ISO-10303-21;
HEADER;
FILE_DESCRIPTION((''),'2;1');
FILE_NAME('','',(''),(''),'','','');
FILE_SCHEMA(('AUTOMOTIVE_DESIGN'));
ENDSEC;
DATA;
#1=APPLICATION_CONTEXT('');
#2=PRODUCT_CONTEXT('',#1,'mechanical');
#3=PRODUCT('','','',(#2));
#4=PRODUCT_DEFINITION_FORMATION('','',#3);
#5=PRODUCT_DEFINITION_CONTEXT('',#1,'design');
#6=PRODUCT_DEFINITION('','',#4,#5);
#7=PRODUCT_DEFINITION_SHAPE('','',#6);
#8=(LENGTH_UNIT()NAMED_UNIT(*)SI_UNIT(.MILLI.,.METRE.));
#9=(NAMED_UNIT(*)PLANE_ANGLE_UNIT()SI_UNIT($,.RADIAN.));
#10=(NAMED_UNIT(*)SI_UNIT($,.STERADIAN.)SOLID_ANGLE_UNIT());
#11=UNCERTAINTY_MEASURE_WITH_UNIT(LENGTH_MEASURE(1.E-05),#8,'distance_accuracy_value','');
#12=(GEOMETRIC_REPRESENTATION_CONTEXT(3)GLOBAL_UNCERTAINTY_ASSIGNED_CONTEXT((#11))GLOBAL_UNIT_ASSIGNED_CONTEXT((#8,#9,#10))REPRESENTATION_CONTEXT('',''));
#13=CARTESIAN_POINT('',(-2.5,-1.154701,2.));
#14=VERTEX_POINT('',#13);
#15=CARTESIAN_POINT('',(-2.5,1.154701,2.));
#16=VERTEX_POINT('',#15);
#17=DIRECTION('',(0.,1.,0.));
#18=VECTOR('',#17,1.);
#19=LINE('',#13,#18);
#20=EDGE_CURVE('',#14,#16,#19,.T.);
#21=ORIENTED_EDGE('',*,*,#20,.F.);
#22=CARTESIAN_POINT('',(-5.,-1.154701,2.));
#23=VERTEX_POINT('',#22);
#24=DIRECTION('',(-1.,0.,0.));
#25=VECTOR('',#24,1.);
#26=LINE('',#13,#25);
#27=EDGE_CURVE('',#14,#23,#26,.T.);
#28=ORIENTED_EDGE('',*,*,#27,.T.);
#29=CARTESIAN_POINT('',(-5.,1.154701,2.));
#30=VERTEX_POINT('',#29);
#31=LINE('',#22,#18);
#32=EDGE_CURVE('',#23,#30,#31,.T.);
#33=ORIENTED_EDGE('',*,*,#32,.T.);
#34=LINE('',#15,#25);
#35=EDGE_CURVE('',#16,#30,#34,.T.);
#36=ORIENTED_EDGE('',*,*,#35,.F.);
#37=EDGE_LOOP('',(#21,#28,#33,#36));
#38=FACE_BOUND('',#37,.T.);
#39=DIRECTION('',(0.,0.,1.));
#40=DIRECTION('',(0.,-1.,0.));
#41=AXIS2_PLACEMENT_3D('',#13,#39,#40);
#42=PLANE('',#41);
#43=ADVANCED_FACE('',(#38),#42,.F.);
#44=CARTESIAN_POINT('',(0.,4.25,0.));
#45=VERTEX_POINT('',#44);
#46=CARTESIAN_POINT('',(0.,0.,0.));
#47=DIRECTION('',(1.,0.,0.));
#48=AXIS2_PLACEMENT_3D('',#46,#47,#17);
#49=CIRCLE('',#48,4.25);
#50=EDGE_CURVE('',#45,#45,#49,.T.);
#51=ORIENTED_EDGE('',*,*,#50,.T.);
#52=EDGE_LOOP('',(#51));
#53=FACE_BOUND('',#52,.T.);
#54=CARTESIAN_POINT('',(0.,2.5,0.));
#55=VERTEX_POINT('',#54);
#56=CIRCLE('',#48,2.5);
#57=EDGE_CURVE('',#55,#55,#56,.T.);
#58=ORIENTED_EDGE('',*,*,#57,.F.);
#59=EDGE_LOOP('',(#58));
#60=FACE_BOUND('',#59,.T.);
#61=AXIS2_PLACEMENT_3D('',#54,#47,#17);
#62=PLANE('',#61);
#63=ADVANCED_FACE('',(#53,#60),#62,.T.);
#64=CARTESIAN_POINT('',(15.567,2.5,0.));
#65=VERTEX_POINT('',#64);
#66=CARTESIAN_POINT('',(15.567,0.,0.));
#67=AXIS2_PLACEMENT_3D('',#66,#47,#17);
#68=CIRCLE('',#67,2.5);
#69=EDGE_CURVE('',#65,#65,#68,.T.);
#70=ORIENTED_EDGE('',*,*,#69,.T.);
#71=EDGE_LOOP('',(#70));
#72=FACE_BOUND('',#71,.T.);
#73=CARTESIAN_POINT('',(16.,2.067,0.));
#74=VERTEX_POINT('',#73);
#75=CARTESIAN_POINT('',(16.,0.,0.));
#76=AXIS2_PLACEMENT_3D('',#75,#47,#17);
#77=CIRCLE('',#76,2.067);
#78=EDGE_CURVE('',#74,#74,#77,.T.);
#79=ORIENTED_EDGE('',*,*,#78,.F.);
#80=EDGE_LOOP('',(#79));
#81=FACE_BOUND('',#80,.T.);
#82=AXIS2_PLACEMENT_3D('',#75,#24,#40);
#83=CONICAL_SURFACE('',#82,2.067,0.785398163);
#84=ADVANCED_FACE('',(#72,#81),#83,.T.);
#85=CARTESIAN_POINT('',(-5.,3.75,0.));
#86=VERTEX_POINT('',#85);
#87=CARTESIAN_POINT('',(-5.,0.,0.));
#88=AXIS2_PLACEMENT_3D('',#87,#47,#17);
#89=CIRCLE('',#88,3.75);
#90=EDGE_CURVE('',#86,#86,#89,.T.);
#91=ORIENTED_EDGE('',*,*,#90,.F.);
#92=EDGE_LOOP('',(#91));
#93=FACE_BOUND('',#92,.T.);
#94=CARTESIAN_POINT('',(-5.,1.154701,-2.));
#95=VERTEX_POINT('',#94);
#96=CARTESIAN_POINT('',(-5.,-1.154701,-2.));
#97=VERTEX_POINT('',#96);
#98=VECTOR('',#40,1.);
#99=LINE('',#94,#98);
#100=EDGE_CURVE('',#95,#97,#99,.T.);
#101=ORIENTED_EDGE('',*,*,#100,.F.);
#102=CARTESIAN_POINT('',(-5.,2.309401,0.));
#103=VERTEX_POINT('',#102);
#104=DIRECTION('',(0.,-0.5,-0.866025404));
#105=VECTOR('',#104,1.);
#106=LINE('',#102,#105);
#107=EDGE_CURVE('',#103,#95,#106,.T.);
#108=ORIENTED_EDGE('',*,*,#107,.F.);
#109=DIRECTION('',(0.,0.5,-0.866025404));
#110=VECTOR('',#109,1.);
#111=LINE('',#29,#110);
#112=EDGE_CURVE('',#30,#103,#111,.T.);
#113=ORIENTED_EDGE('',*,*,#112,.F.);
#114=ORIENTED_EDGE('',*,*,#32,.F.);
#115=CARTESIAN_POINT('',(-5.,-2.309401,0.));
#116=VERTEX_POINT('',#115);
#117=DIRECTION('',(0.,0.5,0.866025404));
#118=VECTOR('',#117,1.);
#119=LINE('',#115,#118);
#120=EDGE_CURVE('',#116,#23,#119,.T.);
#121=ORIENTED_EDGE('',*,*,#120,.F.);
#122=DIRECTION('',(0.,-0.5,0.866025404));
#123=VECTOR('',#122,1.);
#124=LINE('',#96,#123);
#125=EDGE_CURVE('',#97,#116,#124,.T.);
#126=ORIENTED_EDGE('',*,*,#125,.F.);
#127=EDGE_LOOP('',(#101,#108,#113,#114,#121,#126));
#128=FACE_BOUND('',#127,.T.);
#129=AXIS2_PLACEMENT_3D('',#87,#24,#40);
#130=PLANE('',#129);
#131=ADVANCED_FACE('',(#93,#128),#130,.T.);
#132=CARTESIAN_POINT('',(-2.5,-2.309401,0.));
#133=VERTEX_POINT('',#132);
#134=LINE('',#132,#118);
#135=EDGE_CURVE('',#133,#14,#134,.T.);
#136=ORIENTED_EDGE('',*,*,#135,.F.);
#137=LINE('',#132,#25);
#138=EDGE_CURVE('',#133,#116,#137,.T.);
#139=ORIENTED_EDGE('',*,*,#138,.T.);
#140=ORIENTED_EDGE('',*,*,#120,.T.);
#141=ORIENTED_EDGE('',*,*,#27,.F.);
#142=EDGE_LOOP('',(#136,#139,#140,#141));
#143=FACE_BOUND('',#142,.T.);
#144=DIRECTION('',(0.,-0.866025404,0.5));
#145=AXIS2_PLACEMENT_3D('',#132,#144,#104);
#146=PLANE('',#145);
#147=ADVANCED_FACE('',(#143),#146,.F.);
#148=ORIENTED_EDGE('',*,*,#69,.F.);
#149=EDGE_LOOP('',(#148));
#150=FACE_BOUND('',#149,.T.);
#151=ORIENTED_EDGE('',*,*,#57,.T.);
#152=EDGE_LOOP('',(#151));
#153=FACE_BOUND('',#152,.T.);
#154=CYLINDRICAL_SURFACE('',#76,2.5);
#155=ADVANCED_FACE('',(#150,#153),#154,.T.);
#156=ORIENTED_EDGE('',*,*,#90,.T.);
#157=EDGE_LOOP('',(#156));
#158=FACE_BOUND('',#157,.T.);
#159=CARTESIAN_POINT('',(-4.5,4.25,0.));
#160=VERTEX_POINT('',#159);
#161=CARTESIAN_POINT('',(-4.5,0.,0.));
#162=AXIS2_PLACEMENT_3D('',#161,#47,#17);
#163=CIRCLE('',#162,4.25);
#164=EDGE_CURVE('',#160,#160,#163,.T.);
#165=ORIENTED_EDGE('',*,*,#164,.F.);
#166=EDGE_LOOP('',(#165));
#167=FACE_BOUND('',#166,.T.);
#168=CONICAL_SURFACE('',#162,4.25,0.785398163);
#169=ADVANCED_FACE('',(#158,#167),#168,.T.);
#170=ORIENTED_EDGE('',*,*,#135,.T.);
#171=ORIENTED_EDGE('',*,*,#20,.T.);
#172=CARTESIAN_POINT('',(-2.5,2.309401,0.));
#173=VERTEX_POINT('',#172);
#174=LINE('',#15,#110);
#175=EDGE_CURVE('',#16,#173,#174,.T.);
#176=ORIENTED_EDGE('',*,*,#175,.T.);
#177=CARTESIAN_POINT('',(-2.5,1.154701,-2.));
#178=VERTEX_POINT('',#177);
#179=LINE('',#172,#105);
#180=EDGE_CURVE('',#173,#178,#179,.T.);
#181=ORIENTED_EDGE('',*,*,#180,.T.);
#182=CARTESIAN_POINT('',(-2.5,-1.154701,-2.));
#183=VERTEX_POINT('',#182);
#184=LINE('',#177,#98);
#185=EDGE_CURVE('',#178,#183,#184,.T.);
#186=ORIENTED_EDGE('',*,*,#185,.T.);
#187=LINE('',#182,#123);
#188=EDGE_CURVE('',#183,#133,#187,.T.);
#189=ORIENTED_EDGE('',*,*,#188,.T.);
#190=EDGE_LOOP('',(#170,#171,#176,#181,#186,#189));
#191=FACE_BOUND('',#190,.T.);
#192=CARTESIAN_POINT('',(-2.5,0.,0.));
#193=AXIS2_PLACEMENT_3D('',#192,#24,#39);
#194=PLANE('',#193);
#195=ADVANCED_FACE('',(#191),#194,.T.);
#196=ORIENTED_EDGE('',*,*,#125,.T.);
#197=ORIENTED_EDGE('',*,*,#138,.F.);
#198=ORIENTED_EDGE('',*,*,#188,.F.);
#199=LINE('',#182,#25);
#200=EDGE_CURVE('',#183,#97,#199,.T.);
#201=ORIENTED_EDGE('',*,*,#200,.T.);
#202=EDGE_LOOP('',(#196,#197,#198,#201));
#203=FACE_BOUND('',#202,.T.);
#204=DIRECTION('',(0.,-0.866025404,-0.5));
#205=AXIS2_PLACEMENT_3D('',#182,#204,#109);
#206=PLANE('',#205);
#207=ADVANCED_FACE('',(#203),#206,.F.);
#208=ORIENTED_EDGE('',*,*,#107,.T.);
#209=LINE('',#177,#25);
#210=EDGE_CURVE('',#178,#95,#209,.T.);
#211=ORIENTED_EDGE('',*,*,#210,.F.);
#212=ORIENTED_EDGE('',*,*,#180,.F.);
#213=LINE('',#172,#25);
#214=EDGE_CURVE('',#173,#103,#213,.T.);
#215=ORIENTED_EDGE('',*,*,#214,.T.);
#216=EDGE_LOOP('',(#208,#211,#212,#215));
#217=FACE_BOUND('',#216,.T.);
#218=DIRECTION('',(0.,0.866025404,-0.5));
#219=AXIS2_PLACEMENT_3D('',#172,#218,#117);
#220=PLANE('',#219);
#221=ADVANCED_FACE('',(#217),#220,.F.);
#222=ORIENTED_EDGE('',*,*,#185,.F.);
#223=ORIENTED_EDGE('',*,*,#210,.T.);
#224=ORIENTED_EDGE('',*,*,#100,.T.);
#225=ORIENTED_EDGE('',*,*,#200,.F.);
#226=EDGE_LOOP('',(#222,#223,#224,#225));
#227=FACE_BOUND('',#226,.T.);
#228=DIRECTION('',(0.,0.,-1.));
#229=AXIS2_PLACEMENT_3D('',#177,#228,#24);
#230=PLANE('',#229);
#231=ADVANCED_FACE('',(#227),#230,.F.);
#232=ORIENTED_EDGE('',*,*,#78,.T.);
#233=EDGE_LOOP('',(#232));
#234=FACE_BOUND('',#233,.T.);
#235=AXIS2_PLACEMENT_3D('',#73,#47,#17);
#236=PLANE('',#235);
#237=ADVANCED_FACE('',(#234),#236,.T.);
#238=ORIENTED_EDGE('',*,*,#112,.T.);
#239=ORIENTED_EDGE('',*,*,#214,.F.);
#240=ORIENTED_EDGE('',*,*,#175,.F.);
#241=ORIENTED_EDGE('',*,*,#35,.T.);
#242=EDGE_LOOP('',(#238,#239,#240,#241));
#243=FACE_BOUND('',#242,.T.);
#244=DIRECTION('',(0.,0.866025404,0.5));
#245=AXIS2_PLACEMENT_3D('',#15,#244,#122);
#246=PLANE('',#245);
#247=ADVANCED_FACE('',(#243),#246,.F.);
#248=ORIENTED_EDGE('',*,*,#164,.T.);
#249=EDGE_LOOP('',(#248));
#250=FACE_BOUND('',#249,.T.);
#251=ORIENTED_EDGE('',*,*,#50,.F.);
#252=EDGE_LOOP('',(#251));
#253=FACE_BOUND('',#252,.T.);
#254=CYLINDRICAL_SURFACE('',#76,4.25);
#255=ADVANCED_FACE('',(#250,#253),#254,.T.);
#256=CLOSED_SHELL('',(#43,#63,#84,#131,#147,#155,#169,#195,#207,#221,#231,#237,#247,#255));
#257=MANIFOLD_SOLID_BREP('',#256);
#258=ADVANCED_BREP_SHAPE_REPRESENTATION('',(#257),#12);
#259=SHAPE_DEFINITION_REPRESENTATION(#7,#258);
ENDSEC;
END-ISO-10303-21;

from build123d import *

# Parameters (mm, degrees)
CUT_EXTRUDE1_DEPTH = 2.5


with BuildPart() as part:
    # Sketch1 → Revolve1 (revolve)
    with BuildSketch(Plane.XY):
        Polygon((0, 2.5), (0, 4.25), (-4.5, 4.25), (-5, 3.75), (-5, 0), (16, 0), (16, 2.067), (15.567, 2.5), align=None)
    revolve(axis=Axis((16, 0, 0), (-1, 0, 0)))

    # Sketch2 → Cut-Extrude1 (cut)
    with BuildSketch(Plane.ZY.offset(5)):
        Polygon((0, 2.309401077), (-2, 1.154700538), (-2, -1.154700538), (0, -2.309401077), (2, -1.154700538), (2, 1.154700538), align=None)
    extrude(amount=-CUT_EXTRUDE1_DEPTH, mode=Mode.SUBTRACT)


solid = part.part
